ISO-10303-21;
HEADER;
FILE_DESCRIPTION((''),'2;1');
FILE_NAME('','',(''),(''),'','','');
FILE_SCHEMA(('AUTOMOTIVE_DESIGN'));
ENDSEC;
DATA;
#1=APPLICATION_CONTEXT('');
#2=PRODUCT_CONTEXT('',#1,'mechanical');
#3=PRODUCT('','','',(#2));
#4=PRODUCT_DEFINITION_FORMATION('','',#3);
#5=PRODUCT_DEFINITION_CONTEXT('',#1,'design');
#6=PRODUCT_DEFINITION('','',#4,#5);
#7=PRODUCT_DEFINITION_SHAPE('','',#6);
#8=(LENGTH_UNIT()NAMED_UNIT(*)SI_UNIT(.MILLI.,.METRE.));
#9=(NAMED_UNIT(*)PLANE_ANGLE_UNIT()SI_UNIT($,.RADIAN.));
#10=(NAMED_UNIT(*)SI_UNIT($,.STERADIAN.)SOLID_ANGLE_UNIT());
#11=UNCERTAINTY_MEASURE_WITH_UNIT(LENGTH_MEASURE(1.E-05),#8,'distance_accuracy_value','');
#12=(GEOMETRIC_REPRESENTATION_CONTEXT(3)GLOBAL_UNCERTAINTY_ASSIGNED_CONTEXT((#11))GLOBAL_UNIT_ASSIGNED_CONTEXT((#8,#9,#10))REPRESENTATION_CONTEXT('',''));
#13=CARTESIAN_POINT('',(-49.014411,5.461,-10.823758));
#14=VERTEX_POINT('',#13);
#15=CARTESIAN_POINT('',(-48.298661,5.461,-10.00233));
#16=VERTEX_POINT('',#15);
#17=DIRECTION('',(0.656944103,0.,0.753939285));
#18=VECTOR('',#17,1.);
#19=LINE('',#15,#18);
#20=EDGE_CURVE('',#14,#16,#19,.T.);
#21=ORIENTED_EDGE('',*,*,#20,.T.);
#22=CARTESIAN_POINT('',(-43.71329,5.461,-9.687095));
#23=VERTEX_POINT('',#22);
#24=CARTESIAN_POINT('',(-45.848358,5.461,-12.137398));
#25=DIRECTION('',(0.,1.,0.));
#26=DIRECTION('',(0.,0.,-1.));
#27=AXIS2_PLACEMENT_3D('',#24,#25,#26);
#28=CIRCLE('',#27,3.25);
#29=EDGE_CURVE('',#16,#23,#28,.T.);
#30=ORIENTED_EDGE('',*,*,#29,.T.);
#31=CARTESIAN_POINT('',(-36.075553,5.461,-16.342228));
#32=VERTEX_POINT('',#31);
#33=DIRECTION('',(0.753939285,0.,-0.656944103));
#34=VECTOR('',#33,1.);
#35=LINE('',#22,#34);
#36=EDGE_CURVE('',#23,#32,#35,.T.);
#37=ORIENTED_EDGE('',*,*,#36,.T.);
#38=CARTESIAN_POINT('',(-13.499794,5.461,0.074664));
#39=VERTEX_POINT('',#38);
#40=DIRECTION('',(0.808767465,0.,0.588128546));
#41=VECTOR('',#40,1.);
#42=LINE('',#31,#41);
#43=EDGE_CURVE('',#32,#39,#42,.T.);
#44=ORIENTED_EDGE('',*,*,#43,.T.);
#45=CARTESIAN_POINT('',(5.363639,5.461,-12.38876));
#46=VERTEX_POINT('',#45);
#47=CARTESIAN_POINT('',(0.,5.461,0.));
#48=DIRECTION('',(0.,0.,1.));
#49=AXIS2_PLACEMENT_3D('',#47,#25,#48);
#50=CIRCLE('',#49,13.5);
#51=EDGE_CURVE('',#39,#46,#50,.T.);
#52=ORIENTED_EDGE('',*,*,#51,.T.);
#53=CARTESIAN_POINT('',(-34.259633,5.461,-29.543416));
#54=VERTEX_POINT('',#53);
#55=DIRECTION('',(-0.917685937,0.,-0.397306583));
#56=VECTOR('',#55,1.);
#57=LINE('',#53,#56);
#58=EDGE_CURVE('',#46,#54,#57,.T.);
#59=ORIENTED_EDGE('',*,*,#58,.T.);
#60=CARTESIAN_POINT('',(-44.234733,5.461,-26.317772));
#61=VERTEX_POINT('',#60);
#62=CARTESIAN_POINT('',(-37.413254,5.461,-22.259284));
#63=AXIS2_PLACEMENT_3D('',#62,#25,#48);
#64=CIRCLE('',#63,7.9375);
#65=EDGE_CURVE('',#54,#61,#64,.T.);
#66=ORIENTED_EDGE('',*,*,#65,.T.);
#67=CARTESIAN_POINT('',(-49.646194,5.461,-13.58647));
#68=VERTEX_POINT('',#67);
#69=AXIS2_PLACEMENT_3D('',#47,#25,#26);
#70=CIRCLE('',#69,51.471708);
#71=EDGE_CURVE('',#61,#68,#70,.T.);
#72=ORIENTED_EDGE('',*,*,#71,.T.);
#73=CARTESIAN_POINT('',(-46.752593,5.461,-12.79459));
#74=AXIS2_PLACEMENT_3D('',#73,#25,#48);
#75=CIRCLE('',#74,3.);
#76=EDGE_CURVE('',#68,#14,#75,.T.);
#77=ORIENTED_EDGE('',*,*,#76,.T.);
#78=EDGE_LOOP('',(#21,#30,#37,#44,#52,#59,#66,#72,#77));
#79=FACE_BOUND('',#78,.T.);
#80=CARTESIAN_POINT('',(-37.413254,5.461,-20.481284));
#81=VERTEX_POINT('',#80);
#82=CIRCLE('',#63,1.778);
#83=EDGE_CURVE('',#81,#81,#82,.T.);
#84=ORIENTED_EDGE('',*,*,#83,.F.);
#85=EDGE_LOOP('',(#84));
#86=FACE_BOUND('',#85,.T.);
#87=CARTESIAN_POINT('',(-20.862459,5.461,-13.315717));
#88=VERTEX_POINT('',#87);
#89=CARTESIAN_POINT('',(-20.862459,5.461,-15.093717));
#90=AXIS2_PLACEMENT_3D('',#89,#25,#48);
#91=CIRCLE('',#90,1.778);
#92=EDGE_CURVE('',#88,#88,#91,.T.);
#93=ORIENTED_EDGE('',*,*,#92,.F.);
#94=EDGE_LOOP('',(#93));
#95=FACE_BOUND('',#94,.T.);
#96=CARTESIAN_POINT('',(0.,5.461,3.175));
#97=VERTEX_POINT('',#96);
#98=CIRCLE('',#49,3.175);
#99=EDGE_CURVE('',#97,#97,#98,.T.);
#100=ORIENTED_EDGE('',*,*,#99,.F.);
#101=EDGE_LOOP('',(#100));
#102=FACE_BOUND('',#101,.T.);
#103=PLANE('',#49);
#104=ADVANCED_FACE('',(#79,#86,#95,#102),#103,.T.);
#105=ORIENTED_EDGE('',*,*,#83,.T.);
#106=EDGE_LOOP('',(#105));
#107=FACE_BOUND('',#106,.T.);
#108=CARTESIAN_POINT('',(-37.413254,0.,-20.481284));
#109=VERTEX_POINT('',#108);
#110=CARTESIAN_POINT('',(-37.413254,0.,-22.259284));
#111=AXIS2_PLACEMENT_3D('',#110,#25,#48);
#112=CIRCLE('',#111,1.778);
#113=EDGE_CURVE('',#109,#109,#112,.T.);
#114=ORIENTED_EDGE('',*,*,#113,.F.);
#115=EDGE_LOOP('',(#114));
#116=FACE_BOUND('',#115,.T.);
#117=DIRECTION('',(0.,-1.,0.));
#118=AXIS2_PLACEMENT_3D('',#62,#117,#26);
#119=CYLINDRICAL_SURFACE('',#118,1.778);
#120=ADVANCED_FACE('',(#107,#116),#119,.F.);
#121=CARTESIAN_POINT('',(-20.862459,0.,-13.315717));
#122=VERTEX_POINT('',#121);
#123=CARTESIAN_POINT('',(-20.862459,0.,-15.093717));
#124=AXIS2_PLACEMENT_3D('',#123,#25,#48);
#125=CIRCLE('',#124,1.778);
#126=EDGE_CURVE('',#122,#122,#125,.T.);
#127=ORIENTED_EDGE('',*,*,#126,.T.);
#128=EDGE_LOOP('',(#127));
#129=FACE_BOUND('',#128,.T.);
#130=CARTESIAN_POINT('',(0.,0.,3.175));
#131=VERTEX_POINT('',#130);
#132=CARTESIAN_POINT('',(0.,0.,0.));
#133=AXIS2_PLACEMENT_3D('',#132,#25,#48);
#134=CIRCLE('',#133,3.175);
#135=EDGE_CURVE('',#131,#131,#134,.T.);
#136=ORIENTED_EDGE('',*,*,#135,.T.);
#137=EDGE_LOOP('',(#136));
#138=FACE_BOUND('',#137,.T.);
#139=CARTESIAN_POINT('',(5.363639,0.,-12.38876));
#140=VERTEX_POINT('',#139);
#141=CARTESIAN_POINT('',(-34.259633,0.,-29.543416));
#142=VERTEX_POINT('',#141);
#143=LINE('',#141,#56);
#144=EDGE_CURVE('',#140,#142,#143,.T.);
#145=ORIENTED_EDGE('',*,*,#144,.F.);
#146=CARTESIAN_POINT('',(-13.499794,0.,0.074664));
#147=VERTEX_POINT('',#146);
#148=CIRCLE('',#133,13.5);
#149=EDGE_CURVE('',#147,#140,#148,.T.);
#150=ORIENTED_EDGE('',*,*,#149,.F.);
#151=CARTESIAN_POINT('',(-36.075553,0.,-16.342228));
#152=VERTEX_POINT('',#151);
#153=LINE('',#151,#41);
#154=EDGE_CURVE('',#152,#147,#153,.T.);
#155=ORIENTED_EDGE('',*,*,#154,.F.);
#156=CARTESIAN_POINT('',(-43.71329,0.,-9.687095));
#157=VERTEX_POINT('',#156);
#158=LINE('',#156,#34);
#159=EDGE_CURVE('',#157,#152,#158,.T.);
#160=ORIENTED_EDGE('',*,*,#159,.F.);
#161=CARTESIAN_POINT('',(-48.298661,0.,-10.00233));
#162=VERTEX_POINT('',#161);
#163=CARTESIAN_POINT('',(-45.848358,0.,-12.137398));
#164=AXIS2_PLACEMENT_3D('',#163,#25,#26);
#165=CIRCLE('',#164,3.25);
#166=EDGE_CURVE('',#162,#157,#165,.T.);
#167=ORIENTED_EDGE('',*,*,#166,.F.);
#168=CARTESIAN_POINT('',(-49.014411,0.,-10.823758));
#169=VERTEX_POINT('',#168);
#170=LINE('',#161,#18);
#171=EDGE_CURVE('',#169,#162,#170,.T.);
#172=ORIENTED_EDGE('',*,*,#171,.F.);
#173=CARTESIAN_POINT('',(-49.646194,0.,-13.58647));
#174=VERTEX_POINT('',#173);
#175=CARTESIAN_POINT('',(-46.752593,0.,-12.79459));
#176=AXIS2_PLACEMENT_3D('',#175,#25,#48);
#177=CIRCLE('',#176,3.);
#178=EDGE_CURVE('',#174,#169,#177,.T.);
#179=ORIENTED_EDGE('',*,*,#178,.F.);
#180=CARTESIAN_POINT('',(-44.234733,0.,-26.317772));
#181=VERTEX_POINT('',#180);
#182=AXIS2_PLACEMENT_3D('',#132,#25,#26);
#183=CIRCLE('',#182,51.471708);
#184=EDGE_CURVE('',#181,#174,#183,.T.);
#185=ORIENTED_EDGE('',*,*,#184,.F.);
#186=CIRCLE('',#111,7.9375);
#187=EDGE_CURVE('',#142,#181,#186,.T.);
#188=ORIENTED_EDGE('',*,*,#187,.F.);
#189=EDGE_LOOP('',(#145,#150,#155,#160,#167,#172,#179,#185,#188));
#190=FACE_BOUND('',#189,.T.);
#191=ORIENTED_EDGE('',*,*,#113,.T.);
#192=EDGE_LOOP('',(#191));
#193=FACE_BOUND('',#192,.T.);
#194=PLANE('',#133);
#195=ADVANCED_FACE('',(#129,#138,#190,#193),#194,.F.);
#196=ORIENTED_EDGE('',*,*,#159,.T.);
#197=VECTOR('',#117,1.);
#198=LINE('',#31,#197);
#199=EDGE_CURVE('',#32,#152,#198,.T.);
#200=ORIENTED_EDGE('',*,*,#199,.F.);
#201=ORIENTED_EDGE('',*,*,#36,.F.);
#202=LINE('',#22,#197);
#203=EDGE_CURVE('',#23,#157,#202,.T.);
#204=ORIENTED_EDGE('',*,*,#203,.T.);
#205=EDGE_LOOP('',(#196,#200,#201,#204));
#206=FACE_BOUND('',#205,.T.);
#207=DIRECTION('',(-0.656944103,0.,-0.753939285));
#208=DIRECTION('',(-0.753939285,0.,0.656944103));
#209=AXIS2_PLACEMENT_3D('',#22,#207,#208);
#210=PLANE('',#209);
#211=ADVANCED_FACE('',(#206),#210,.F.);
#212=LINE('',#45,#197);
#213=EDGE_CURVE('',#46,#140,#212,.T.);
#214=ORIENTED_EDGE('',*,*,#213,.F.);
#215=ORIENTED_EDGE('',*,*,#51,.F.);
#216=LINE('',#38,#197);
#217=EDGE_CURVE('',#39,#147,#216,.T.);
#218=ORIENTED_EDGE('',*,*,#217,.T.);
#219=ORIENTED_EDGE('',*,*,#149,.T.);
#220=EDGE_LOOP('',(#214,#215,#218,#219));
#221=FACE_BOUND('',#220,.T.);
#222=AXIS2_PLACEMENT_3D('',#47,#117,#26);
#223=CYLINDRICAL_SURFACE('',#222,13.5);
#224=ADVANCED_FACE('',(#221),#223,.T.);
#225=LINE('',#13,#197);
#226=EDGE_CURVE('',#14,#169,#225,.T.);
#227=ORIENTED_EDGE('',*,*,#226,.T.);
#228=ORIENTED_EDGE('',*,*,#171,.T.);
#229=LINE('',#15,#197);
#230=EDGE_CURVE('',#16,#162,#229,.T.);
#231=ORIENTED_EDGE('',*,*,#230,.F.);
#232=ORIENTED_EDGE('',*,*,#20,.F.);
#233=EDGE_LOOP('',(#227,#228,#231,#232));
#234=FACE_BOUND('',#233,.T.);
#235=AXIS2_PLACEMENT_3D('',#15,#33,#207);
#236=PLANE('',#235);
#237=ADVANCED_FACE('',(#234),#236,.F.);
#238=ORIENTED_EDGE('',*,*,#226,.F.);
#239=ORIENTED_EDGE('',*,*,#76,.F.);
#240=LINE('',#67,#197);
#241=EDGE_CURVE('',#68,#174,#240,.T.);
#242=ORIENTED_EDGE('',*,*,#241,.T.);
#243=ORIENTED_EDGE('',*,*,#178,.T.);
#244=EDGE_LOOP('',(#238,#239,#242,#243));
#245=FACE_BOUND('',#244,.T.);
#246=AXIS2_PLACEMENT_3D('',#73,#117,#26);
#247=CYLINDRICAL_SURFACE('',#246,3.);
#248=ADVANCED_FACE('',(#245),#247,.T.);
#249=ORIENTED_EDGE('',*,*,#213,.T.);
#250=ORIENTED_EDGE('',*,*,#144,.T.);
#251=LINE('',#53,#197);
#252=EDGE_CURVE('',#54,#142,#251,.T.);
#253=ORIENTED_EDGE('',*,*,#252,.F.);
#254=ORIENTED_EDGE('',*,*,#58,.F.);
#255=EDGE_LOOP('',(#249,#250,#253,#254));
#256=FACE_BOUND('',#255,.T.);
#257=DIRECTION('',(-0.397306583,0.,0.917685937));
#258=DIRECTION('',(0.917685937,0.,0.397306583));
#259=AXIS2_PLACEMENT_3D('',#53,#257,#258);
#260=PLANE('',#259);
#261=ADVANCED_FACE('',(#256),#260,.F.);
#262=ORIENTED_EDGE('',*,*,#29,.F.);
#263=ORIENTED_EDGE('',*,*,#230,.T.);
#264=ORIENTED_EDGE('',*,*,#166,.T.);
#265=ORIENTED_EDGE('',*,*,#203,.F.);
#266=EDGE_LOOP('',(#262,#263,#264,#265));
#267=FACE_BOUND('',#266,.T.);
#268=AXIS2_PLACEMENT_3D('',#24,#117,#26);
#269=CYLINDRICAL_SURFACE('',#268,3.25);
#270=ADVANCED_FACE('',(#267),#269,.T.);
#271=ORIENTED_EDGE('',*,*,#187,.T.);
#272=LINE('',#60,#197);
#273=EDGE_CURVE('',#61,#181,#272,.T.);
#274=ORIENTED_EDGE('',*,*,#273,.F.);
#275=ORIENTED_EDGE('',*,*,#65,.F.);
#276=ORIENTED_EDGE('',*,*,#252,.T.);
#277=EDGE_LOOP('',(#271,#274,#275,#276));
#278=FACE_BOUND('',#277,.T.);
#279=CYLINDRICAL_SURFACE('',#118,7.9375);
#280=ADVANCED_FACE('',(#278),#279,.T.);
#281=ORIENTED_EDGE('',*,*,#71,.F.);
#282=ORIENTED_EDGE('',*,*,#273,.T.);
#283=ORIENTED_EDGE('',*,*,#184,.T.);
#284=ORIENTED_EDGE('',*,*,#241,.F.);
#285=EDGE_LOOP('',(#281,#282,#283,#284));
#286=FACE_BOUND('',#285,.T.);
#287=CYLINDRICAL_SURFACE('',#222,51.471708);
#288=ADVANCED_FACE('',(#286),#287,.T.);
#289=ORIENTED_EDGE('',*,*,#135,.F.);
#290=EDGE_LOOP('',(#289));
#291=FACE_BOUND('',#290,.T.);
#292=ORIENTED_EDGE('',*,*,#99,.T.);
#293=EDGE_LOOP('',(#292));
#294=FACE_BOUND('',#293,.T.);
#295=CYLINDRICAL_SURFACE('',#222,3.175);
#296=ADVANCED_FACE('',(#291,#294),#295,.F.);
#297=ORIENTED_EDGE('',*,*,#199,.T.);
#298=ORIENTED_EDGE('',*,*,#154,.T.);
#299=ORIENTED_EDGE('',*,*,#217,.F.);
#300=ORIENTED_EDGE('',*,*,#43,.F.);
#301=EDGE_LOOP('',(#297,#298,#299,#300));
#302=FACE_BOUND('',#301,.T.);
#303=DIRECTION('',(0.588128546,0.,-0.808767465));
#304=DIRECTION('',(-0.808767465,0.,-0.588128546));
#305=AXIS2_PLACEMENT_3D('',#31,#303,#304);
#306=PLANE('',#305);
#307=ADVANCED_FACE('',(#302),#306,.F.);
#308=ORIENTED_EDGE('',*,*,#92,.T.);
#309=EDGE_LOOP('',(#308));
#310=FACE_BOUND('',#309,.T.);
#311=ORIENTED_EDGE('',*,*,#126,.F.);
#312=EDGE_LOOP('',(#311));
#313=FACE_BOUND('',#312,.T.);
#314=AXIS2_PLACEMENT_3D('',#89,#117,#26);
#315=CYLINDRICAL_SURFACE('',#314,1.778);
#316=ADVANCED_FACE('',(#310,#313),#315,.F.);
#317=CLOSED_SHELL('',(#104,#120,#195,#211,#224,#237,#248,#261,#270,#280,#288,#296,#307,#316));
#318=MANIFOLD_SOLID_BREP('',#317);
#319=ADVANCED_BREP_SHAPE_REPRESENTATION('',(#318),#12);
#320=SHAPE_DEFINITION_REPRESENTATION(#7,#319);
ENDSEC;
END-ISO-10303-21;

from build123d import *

# Parameters (mm, degrees)
SKETCH1_R           = 1.778
SKETCH1_R_2         = 3.175
BOSS_EXTRUDE1_DEPTH = 5.461


with BuildPart() as part:
    # Sketch1 → Boss-Extrude1 (new body)
    with BuildSketch(Plane(origin=(0, 0, 0), x_dir=(1, 0, 0), z_dir=(0, 1, 0))):
        with BuildLine():
            Line((-36.075553112, 16.34222836), (-13.499793526, -0.074664302))
            ThreePointArc((-13.499793526, -0.074664302), (7.44200849, -11.263503435), (5.363638877, 12.388760148))
            Line((5.363638877, 12.388760148), (-34.259632886, 29.543416329))
            ThreePointArc((-34.259632886, 29.543416329), (-39.855484626, 29.811728531), (-44.234733225, 26.317772344))
            ThreePointArc((-44.234733225, 26.317772344), (-47.370124011, 20.134748964), (-49.646194202, 13.586469955))
            ThreePointArc((-49.646194202, 13.586469955), (-49.677098428, 12.125807852), (-49.01441114, 10.823757773))
            Line((-49.01441114, 10.823757773), (-48.298660873, 10.002329828))
            ThreePointArc((-48.298660873, 10.002329828), (-46.071262537, 8.895051227), (-43.713289862, 9.687095487))
            Line((-43.713289862, 9.687095487), (-36.075553112, 16.34222836))
        make_face()
        with Locations((-20.862458922, 15.093717491)):
            Circle(SKETCH1_R, mode=Mode.SUBTRACT)
        Circle(SKETCH1_R_2, mode=Mode.SUBTRACT)
        with Locations((-37.413253893, 22.259284205)):
            Circle(SKETCH1_R, mode=Mode.SUBTRACT)
    extrude(amount=BOSS_EXTRUDE1_DEPTH)


solid = part.part
